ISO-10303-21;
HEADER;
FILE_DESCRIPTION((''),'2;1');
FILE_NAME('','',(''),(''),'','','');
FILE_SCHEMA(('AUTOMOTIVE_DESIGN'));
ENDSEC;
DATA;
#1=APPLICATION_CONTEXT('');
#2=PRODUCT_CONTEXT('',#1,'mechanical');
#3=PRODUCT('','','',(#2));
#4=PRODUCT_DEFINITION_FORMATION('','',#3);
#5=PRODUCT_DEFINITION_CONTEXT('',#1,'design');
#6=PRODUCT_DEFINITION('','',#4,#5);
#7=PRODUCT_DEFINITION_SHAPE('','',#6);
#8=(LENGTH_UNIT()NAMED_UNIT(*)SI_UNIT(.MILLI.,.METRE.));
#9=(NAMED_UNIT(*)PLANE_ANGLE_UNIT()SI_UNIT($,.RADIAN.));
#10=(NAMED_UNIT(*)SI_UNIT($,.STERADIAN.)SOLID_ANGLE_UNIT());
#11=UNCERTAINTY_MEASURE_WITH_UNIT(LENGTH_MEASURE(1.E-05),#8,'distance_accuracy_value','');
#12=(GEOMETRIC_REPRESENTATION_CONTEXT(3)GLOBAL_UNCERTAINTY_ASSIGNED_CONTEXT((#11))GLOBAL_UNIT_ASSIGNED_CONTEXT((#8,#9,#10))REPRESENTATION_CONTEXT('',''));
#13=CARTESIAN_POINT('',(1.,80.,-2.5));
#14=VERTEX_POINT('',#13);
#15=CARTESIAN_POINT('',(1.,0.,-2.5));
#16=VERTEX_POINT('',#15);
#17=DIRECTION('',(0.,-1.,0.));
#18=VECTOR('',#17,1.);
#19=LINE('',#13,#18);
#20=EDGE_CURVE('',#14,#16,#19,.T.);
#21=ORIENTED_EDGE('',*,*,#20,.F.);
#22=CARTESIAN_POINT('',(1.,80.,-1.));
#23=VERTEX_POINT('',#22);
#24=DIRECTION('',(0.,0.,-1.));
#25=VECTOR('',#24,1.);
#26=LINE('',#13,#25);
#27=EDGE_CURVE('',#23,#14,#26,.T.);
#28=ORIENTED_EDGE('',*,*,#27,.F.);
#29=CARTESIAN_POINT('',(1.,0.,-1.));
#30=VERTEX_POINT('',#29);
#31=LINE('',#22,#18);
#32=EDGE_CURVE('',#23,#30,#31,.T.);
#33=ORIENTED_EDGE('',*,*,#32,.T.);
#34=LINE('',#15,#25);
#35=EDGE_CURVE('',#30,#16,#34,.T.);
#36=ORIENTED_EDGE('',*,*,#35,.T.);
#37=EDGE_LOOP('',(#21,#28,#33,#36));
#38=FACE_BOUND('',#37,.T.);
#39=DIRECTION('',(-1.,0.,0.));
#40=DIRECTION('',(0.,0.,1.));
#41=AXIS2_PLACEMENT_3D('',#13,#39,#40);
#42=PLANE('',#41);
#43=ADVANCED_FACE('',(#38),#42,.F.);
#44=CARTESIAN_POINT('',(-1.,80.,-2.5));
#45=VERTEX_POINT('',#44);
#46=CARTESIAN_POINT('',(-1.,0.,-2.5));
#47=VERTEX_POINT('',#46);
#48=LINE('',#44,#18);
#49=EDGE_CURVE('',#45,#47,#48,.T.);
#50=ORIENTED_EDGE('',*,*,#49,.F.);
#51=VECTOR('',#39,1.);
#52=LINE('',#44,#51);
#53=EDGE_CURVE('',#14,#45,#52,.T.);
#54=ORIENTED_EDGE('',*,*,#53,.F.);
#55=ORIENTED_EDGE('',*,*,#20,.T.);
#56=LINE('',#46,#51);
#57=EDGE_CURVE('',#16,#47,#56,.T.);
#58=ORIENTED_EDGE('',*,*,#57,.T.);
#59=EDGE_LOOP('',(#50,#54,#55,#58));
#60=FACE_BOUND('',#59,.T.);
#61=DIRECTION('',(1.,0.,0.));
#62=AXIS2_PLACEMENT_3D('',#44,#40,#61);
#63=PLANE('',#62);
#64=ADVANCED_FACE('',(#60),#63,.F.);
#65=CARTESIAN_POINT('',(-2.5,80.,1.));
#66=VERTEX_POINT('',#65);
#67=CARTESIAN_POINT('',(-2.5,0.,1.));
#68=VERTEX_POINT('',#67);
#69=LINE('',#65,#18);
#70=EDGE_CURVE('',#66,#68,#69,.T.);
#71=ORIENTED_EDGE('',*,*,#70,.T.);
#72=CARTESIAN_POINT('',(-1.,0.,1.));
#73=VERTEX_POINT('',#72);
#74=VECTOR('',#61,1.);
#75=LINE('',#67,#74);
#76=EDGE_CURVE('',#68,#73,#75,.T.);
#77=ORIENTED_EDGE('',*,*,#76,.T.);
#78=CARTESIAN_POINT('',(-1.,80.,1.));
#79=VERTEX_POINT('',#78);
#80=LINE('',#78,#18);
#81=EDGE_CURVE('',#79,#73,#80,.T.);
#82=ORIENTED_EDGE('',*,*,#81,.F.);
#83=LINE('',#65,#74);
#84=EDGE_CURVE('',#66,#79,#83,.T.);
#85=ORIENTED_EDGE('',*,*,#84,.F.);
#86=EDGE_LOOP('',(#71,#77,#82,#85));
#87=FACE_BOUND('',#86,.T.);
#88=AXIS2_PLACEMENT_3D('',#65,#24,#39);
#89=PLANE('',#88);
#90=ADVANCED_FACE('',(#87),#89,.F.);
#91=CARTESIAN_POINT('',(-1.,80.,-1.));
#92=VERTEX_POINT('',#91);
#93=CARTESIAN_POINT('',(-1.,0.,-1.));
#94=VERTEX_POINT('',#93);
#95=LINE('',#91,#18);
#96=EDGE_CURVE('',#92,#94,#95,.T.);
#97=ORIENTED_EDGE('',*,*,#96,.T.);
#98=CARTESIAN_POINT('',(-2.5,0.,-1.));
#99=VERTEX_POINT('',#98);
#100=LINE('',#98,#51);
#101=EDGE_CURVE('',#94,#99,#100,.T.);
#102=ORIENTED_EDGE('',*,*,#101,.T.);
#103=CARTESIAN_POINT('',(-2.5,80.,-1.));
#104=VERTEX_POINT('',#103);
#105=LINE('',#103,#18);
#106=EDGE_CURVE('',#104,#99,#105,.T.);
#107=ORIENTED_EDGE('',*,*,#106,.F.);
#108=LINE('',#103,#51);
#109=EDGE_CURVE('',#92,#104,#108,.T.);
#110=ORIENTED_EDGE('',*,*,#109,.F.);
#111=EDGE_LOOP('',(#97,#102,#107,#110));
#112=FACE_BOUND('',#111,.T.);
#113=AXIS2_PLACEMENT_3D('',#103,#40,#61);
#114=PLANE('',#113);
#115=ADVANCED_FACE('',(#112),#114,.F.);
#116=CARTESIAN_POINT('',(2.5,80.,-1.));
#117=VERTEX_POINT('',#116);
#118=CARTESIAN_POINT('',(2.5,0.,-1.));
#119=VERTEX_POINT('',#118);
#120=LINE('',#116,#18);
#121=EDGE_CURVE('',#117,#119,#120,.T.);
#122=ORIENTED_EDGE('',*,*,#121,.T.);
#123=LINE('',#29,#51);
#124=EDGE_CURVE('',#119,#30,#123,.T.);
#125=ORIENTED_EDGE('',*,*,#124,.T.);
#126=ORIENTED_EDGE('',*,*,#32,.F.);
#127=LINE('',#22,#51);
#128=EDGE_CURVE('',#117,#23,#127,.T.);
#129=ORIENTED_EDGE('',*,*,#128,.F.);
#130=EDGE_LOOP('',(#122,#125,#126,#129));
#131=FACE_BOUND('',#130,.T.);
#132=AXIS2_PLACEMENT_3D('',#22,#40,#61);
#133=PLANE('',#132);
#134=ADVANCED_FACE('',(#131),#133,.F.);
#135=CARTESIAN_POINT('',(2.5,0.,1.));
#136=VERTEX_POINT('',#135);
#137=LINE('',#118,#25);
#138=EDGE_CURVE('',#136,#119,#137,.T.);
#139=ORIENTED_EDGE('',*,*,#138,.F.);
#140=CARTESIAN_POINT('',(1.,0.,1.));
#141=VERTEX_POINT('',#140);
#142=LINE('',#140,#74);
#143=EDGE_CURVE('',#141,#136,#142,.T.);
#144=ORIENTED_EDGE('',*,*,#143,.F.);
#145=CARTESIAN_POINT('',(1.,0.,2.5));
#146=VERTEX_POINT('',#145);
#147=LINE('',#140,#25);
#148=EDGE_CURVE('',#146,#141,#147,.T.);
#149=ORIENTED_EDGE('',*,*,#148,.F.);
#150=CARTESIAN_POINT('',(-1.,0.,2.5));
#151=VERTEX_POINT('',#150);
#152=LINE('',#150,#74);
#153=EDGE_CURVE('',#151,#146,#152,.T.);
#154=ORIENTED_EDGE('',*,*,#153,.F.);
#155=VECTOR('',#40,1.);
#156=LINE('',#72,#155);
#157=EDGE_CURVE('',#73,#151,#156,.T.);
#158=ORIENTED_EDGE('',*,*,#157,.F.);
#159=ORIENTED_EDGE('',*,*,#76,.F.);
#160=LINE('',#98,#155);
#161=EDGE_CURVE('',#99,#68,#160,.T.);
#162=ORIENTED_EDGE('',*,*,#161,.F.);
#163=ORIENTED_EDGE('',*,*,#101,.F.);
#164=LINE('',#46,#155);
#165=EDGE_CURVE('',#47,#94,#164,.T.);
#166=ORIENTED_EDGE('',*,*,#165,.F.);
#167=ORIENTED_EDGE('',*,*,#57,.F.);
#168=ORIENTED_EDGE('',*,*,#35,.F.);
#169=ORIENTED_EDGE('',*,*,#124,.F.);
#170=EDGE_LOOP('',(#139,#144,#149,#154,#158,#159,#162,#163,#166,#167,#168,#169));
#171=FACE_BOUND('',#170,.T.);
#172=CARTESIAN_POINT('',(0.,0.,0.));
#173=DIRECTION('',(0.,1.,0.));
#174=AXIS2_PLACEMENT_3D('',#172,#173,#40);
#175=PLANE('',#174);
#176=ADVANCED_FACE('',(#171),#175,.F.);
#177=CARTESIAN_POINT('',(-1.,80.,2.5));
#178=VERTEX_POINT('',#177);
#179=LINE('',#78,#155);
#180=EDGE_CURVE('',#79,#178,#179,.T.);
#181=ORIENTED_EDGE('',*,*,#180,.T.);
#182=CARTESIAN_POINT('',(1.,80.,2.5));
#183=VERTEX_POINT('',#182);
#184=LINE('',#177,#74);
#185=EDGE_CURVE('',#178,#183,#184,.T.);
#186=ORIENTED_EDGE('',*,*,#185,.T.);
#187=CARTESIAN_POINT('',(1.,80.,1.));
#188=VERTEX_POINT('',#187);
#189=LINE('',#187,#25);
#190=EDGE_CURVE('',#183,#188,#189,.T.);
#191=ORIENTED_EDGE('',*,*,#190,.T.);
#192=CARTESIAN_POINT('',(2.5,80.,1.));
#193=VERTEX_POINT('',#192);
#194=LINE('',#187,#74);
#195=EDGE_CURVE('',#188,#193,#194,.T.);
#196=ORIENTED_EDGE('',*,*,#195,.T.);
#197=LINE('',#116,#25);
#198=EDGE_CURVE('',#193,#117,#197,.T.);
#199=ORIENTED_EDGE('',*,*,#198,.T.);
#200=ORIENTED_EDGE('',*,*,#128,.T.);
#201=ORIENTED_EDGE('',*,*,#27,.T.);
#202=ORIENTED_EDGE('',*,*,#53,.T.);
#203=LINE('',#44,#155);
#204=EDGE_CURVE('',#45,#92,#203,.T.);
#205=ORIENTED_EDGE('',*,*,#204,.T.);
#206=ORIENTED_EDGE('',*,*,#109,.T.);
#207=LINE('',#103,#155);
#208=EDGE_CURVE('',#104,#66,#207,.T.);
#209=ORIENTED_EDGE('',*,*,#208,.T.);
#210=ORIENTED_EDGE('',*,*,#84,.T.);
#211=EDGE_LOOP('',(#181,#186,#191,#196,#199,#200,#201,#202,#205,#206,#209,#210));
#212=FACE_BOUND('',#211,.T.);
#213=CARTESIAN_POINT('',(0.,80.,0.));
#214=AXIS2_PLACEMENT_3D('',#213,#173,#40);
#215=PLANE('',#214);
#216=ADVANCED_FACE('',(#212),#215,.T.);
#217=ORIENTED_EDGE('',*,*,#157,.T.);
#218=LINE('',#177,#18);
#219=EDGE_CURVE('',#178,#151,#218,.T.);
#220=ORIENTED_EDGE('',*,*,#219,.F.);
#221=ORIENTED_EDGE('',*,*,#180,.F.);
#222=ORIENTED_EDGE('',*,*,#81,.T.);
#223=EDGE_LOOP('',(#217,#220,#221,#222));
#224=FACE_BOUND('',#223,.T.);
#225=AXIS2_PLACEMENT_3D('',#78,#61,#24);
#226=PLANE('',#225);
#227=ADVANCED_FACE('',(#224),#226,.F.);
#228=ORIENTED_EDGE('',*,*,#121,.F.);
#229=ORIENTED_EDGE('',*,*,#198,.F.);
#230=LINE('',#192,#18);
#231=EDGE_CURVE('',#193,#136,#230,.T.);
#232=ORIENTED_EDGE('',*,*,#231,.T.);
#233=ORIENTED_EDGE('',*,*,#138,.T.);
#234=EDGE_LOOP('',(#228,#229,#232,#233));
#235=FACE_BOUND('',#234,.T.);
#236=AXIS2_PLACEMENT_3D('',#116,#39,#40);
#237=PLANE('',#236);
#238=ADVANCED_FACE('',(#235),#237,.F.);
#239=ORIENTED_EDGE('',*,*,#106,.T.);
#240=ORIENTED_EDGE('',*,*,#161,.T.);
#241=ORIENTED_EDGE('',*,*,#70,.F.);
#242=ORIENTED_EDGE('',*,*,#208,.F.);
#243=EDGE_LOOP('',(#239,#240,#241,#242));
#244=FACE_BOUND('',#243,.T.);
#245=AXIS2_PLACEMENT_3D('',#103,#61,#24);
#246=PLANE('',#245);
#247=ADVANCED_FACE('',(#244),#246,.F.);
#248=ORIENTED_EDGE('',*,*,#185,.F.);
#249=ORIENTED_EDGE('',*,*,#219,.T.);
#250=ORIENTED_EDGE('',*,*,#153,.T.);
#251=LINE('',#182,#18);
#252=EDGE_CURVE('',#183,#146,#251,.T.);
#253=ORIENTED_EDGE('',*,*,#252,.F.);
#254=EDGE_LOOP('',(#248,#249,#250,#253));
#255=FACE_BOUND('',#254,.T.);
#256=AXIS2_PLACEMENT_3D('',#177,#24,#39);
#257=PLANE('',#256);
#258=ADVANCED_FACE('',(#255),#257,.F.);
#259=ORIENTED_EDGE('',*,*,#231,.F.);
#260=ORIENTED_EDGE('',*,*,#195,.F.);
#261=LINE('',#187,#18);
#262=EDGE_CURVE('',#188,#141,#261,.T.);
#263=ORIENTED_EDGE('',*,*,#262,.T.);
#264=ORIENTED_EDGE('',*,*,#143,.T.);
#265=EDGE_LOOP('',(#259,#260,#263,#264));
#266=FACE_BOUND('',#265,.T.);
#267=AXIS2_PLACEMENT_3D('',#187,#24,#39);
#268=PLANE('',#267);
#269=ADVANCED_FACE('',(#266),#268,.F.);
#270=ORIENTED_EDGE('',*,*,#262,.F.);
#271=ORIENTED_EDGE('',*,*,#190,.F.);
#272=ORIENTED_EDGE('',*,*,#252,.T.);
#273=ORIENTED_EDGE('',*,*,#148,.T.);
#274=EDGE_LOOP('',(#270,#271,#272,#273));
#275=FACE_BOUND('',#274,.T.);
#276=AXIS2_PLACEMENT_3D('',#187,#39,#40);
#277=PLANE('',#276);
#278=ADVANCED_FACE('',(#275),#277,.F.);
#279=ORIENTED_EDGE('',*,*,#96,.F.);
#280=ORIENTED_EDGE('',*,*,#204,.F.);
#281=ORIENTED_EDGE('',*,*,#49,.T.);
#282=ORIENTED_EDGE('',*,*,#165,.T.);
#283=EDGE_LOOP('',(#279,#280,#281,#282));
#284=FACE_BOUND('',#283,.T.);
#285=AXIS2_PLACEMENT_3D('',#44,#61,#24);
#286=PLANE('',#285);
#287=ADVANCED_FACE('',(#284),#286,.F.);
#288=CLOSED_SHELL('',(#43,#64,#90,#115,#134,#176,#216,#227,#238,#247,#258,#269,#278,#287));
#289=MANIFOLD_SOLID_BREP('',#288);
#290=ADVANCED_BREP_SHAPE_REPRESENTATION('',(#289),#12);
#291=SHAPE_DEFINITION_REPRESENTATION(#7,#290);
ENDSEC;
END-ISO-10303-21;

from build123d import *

# Parameters (mm, degrees)
EXTRUDE_1_DEPTH = 80


with BuildPart() as part:
    # 草图1 → 凸台-拉伸1 (new body)
    with BuildSketch(Plane(origin=(0, 0, 0), x_dir=(1, 0, 0), z_dir=(0, 1, 0))):
        Polygon((1, 1), (2.5, 1), (2.5, -1), (1, -1), (1, -2.5), (-1, -2.5), (-1, -1), (-2.5, -1), (-2.5, 1), (-1, 1), (-1, 2.5), (1, 2.5), align=None)
    extrude(amount=EXTRUDE_1_DEPTH)


solid = part.part
